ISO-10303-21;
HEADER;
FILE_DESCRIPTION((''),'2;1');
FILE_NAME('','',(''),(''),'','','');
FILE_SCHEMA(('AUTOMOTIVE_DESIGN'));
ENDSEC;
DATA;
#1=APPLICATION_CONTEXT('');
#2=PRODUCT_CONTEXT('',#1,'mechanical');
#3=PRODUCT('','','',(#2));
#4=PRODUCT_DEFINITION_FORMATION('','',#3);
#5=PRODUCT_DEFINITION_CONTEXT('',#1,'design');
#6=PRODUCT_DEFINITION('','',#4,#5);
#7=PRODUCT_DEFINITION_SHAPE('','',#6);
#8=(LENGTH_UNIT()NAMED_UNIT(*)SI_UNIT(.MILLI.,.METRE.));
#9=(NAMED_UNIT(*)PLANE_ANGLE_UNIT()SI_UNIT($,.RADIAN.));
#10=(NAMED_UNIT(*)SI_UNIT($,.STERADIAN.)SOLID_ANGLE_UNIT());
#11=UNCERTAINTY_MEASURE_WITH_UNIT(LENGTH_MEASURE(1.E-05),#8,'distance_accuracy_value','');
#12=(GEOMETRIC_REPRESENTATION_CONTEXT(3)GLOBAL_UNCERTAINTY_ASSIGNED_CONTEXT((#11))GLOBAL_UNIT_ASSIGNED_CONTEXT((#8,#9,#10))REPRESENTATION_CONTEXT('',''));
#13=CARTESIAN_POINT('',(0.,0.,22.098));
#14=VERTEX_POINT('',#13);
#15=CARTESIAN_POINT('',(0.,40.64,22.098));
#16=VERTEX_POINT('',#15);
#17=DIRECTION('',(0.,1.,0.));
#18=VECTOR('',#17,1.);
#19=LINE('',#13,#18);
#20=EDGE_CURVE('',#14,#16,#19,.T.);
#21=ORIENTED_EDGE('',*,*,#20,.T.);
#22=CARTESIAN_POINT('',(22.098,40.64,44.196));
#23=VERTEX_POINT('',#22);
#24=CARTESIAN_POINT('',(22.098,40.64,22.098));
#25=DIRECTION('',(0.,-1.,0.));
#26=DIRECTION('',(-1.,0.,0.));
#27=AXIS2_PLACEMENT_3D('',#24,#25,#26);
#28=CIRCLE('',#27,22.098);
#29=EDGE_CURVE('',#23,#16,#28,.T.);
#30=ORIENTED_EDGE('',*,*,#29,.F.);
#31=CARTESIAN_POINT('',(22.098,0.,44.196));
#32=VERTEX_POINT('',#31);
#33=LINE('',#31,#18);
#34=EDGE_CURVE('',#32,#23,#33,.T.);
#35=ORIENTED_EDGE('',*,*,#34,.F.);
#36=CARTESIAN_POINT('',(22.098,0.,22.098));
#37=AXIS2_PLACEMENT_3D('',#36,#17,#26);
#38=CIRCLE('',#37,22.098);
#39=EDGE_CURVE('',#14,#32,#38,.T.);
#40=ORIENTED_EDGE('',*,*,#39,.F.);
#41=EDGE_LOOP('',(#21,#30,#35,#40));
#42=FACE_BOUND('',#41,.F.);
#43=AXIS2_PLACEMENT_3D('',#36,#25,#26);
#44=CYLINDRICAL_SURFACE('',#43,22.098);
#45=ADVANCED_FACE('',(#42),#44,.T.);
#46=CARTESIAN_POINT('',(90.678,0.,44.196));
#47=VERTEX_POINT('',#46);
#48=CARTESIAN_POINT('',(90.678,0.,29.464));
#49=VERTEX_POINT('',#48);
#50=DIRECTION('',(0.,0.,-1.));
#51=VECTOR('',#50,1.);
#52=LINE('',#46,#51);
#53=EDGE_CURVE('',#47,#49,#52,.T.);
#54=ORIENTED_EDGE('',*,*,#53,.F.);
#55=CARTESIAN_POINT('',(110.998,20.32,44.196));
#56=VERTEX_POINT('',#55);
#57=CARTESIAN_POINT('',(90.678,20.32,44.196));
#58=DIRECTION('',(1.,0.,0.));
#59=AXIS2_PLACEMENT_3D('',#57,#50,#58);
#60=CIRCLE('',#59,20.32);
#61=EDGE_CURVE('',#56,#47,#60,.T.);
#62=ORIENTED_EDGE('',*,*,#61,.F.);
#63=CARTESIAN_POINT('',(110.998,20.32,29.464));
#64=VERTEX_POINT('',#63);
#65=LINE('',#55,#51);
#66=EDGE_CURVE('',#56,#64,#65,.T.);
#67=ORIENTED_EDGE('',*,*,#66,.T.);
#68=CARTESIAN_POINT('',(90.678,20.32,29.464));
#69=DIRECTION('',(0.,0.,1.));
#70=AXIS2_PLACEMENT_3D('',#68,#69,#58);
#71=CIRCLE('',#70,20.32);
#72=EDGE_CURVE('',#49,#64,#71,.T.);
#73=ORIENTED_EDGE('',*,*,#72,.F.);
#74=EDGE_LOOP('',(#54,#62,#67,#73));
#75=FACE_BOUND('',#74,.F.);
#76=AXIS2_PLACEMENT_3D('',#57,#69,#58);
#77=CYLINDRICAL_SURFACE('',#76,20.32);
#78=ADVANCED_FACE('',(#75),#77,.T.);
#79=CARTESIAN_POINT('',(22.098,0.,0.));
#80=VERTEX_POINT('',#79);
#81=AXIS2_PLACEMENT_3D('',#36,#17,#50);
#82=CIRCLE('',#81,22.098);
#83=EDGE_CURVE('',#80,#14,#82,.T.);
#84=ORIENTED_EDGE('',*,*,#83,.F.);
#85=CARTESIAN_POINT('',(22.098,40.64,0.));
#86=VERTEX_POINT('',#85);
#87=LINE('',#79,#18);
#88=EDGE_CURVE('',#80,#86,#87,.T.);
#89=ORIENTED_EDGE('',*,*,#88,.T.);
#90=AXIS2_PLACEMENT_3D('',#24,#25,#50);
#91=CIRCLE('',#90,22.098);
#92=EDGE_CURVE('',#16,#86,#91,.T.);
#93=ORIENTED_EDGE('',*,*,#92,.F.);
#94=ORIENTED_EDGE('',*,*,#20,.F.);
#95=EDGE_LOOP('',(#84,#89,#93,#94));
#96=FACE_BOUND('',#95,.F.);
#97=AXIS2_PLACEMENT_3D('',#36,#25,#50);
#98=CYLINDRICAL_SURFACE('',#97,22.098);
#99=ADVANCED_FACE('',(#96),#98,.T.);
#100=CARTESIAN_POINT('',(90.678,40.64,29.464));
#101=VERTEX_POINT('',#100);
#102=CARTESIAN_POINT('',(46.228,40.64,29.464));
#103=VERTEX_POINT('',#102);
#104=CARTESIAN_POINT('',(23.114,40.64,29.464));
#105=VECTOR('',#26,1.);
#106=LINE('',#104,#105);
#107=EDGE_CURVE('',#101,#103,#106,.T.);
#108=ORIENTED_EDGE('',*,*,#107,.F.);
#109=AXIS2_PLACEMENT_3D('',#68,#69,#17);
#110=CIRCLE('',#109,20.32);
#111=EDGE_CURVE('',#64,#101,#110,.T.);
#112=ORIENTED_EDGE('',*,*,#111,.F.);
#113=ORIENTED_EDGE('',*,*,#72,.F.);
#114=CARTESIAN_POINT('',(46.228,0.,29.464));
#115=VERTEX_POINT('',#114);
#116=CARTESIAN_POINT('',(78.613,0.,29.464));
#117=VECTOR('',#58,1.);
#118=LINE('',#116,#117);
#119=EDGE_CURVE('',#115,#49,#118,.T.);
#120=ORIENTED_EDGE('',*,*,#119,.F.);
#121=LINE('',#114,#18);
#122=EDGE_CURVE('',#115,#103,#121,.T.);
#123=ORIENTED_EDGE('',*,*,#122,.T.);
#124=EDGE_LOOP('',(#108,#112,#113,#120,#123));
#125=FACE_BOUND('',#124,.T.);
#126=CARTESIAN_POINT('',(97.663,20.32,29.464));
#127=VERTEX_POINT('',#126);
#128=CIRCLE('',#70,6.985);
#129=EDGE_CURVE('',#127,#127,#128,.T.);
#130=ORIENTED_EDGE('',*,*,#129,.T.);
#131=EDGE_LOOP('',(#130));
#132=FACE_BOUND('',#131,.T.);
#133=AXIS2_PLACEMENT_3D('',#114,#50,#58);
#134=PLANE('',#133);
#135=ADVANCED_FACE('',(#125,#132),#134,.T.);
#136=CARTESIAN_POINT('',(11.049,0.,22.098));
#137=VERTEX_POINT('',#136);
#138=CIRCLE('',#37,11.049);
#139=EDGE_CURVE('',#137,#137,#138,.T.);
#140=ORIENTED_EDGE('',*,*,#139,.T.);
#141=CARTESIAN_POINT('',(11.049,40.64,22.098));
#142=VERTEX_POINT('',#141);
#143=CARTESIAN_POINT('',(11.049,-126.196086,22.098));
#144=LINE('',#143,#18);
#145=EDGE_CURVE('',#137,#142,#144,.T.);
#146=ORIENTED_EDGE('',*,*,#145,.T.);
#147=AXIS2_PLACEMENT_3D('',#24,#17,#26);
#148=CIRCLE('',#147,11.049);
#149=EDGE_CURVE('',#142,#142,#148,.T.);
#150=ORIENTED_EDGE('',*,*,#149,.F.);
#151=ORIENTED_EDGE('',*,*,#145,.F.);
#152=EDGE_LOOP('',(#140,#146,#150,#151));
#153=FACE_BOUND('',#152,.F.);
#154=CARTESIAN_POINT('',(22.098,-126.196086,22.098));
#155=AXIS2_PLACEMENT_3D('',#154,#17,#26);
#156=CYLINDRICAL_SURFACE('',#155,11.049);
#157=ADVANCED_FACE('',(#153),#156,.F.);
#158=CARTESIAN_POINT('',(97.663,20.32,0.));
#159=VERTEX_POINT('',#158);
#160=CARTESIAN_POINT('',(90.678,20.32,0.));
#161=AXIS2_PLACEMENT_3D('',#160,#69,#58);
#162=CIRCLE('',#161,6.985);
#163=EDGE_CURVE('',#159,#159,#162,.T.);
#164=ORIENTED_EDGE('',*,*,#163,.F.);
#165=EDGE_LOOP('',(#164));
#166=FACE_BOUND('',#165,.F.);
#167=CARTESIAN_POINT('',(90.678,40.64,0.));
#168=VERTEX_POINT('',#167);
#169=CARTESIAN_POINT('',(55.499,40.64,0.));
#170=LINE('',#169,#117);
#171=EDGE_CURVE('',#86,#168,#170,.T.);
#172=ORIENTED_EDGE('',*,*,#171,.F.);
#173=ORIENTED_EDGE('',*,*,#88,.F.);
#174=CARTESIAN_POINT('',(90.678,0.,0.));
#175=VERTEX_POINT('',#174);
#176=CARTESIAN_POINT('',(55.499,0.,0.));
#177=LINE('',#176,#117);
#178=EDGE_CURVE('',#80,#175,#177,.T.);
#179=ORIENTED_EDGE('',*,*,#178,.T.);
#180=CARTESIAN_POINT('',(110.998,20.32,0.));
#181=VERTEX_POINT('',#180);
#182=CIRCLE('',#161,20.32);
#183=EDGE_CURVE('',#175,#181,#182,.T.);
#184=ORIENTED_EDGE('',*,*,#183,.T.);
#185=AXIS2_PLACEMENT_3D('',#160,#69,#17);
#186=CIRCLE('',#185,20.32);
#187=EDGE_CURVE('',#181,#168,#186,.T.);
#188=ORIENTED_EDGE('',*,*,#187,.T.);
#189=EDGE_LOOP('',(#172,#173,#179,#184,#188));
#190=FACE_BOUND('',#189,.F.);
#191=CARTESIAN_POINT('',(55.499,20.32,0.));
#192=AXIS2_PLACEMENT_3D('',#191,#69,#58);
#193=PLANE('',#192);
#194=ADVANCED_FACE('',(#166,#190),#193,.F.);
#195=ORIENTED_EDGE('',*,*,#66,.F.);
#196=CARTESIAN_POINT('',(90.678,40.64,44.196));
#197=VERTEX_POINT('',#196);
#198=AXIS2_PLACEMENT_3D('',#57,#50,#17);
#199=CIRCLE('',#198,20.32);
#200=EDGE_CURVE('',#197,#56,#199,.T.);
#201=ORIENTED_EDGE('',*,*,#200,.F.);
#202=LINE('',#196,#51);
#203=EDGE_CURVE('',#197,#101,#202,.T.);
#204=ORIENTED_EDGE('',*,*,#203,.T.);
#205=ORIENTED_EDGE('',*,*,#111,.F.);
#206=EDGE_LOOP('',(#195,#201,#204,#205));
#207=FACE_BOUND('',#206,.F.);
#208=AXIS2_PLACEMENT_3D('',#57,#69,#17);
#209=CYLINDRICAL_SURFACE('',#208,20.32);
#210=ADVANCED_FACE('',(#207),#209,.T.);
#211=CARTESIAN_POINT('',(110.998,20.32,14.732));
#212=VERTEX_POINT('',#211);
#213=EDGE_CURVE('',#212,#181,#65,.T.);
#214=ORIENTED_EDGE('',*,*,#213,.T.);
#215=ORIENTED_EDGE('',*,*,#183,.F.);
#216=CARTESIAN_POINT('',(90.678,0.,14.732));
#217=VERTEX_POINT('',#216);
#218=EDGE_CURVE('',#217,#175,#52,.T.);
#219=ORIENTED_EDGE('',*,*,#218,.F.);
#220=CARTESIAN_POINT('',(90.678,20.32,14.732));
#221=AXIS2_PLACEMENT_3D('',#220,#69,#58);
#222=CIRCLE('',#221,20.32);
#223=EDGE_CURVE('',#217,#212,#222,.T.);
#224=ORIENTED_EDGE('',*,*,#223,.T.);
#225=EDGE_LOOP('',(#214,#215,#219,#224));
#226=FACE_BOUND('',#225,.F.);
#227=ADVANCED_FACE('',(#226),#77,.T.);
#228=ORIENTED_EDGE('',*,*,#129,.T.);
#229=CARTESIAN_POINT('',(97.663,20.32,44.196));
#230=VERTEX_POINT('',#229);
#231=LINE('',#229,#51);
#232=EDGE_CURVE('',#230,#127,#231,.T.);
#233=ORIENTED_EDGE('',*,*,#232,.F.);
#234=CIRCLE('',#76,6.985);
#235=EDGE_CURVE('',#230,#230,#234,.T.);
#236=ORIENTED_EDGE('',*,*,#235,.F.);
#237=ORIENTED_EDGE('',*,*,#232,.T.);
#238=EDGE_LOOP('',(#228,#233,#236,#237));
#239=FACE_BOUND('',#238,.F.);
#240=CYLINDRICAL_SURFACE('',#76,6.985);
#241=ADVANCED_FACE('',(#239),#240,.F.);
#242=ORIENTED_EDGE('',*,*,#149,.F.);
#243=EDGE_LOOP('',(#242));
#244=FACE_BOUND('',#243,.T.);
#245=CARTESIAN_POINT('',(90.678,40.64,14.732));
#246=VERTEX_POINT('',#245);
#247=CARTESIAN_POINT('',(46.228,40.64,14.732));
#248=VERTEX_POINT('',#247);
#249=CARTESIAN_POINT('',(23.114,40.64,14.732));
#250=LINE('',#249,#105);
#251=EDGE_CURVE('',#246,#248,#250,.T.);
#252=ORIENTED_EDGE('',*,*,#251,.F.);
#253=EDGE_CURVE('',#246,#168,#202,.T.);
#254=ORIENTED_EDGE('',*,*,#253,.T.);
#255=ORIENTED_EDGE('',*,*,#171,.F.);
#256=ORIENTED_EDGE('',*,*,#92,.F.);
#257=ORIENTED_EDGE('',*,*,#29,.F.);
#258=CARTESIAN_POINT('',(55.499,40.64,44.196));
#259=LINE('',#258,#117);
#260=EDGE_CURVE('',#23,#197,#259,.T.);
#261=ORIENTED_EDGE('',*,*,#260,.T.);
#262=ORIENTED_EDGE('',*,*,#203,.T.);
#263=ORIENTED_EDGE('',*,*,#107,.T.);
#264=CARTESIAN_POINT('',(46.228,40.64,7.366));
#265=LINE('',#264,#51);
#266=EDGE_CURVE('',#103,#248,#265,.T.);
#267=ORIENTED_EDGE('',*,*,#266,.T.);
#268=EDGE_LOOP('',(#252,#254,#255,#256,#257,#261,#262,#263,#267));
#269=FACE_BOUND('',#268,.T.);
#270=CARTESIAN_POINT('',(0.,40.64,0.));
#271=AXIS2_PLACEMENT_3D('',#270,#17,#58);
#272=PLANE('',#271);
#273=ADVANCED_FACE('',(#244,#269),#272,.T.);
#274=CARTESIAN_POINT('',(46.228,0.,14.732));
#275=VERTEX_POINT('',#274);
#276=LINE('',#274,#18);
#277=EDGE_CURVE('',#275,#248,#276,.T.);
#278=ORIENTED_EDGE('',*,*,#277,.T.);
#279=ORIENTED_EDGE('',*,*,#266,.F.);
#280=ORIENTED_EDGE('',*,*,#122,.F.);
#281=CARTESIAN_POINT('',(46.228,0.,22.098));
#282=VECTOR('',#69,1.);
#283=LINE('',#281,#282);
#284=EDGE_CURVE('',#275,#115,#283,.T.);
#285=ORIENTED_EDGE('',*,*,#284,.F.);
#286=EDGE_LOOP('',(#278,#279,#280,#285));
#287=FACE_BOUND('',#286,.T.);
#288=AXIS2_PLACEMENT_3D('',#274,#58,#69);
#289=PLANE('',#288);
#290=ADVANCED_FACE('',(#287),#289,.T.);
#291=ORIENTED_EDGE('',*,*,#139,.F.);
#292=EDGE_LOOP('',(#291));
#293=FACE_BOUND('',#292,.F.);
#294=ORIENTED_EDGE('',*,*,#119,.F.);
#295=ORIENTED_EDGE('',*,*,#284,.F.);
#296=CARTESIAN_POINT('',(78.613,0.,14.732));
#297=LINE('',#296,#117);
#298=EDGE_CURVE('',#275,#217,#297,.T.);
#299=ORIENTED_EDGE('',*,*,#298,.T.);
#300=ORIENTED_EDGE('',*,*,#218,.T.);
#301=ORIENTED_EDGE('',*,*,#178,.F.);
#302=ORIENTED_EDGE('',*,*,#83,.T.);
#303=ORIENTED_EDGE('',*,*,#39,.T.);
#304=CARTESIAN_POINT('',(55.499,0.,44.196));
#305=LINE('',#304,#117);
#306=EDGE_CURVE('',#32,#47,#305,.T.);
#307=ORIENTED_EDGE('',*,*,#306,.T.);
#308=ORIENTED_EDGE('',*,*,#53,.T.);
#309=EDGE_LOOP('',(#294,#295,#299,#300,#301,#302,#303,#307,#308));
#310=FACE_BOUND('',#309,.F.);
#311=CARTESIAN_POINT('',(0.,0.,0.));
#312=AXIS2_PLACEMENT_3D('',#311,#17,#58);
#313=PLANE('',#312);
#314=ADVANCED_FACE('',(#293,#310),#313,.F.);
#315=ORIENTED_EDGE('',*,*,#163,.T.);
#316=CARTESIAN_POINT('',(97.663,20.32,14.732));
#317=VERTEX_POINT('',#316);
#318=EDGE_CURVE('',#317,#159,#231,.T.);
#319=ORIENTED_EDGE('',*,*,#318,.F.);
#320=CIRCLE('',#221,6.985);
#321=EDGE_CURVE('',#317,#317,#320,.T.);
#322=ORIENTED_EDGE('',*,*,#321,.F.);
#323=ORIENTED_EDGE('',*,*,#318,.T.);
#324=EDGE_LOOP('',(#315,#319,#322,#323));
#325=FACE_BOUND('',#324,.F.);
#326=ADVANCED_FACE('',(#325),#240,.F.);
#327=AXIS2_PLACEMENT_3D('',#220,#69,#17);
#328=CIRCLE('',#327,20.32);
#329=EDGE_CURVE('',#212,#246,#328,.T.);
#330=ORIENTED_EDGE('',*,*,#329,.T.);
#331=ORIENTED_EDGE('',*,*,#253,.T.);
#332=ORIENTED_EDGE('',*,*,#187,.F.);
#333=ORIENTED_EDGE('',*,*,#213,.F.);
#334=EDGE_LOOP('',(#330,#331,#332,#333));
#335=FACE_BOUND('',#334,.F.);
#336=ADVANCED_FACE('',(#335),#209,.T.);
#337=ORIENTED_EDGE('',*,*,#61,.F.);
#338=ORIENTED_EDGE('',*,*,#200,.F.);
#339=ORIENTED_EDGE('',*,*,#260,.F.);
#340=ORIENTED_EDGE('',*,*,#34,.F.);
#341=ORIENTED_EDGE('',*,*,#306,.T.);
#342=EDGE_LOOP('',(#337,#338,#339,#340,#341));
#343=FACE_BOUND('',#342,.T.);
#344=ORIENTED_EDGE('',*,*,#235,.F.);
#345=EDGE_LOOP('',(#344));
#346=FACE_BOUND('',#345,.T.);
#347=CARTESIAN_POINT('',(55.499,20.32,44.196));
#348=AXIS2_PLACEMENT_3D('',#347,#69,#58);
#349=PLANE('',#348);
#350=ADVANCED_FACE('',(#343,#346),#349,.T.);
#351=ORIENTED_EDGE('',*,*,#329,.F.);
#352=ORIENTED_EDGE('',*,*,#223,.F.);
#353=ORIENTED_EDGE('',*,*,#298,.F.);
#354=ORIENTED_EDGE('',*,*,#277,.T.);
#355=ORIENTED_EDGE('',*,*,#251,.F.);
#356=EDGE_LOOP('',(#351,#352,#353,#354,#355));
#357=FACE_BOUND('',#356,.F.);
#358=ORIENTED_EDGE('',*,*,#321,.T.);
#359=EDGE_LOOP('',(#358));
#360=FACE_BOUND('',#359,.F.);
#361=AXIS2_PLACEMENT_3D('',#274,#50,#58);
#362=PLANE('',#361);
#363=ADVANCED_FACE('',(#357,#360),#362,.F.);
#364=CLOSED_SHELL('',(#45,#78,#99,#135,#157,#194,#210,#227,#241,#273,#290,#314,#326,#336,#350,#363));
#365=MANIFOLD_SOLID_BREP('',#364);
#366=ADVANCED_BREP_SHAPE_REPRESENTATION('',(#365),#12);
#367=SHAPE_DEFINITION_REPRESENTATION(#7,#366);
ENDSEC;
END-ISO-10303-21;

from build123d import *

# Parameters (mm, degrees)
F0_W     = 110.998
F0_H     = 40.64
F1_DEPTH = 44.196
F5_D     = 22.098
F2_R     = 6.985
F6_DEPTH = 44.197
F7_DEPTH = 44.197
F3_W     = 64.77
F3_H     = 14.732
F8_DEPTH = 40.641
F9_DEPTH = 40.641


with BuildPart() as f1:
    # F0 (on Top) → F1 (new body)
    with BuildSketch(Plane.XY):
        with Locations((55.499, 20.32)):
            Rectangle(F0_W, F0_H)
    extrude(amount=F1_DEPTH)

    # F5 (through all)
    with Locations(Plane.XZ):
        with Locations((22.098, 22.098)):
            Hole(F5_D / 2)

    # F2 (on face) → F6 (cut, through all)
    with BuildSketch(Plane.XY.offset(44.196)):
        with Locations((90.678, 20.32)):
            Circle(F2_R)
    extrude(amount=-F6_DEPTH, mode=Mode.SUBTRACT)

    # F2 (on face) → F7 (cut, through all)
    with BuildSketch(Plane.XY.offset(44.196)):
        with BuildLine():
            ThreePointArc((90.678, 40.64), (105.0464097937, 34.6884097937), (110.998, 20.32))
            Line((110.998, 20.32), (110.998, 40.64))
            Line((110.998, 40.64), (90.678, 40.64))
        make_face()
        with BuildLine():
            Line((110.998, 0), (110.998, 20.32))
            ThreePointArc((110.998, 20.32), (105.0464097937, 5.9515902063), (90.678, 0))
            Line((90.678, 0), (110.998, 0))
        make_face()
    extrude(amount=-F7_DEPTH, mode=Mode.SUBTRACT)

    # F3 (on face) → F8 (cut, through all)
    with BuildSketch(Plane.XZ):
        with Locations((78.613, 22.098)):
            Rectangle(F3_W, F3_H)
    extrude(amount=-F8_DEPTH, mode=Mode.SUBTRACT)

    # F3 (on face) → F9 (cut, through all)
    with BuildSketch(Plane.XZ):
        with BuildLine():
            ThreePointArc((0, 22.098), (6.4723544116, 37.7236457129), (22.098000176, 44.196))
            Line((22.098000176, 44.196), (0, 44.196))
            Line((0, 44.196), (0, 22.098))
        make_face()
        with BuildLine():
            Line((0, 0), (22.098, 0))
            ThreePointArc((22.098, 0), (6.4723543493, 6.4723543493), (0, 22.098))
            Line((0, 22.098), (0, 0))
        make_face()
    extrude(amount=-F9_DEPTH, mode=Mode.SUBTRACT)


solid = f1.part
